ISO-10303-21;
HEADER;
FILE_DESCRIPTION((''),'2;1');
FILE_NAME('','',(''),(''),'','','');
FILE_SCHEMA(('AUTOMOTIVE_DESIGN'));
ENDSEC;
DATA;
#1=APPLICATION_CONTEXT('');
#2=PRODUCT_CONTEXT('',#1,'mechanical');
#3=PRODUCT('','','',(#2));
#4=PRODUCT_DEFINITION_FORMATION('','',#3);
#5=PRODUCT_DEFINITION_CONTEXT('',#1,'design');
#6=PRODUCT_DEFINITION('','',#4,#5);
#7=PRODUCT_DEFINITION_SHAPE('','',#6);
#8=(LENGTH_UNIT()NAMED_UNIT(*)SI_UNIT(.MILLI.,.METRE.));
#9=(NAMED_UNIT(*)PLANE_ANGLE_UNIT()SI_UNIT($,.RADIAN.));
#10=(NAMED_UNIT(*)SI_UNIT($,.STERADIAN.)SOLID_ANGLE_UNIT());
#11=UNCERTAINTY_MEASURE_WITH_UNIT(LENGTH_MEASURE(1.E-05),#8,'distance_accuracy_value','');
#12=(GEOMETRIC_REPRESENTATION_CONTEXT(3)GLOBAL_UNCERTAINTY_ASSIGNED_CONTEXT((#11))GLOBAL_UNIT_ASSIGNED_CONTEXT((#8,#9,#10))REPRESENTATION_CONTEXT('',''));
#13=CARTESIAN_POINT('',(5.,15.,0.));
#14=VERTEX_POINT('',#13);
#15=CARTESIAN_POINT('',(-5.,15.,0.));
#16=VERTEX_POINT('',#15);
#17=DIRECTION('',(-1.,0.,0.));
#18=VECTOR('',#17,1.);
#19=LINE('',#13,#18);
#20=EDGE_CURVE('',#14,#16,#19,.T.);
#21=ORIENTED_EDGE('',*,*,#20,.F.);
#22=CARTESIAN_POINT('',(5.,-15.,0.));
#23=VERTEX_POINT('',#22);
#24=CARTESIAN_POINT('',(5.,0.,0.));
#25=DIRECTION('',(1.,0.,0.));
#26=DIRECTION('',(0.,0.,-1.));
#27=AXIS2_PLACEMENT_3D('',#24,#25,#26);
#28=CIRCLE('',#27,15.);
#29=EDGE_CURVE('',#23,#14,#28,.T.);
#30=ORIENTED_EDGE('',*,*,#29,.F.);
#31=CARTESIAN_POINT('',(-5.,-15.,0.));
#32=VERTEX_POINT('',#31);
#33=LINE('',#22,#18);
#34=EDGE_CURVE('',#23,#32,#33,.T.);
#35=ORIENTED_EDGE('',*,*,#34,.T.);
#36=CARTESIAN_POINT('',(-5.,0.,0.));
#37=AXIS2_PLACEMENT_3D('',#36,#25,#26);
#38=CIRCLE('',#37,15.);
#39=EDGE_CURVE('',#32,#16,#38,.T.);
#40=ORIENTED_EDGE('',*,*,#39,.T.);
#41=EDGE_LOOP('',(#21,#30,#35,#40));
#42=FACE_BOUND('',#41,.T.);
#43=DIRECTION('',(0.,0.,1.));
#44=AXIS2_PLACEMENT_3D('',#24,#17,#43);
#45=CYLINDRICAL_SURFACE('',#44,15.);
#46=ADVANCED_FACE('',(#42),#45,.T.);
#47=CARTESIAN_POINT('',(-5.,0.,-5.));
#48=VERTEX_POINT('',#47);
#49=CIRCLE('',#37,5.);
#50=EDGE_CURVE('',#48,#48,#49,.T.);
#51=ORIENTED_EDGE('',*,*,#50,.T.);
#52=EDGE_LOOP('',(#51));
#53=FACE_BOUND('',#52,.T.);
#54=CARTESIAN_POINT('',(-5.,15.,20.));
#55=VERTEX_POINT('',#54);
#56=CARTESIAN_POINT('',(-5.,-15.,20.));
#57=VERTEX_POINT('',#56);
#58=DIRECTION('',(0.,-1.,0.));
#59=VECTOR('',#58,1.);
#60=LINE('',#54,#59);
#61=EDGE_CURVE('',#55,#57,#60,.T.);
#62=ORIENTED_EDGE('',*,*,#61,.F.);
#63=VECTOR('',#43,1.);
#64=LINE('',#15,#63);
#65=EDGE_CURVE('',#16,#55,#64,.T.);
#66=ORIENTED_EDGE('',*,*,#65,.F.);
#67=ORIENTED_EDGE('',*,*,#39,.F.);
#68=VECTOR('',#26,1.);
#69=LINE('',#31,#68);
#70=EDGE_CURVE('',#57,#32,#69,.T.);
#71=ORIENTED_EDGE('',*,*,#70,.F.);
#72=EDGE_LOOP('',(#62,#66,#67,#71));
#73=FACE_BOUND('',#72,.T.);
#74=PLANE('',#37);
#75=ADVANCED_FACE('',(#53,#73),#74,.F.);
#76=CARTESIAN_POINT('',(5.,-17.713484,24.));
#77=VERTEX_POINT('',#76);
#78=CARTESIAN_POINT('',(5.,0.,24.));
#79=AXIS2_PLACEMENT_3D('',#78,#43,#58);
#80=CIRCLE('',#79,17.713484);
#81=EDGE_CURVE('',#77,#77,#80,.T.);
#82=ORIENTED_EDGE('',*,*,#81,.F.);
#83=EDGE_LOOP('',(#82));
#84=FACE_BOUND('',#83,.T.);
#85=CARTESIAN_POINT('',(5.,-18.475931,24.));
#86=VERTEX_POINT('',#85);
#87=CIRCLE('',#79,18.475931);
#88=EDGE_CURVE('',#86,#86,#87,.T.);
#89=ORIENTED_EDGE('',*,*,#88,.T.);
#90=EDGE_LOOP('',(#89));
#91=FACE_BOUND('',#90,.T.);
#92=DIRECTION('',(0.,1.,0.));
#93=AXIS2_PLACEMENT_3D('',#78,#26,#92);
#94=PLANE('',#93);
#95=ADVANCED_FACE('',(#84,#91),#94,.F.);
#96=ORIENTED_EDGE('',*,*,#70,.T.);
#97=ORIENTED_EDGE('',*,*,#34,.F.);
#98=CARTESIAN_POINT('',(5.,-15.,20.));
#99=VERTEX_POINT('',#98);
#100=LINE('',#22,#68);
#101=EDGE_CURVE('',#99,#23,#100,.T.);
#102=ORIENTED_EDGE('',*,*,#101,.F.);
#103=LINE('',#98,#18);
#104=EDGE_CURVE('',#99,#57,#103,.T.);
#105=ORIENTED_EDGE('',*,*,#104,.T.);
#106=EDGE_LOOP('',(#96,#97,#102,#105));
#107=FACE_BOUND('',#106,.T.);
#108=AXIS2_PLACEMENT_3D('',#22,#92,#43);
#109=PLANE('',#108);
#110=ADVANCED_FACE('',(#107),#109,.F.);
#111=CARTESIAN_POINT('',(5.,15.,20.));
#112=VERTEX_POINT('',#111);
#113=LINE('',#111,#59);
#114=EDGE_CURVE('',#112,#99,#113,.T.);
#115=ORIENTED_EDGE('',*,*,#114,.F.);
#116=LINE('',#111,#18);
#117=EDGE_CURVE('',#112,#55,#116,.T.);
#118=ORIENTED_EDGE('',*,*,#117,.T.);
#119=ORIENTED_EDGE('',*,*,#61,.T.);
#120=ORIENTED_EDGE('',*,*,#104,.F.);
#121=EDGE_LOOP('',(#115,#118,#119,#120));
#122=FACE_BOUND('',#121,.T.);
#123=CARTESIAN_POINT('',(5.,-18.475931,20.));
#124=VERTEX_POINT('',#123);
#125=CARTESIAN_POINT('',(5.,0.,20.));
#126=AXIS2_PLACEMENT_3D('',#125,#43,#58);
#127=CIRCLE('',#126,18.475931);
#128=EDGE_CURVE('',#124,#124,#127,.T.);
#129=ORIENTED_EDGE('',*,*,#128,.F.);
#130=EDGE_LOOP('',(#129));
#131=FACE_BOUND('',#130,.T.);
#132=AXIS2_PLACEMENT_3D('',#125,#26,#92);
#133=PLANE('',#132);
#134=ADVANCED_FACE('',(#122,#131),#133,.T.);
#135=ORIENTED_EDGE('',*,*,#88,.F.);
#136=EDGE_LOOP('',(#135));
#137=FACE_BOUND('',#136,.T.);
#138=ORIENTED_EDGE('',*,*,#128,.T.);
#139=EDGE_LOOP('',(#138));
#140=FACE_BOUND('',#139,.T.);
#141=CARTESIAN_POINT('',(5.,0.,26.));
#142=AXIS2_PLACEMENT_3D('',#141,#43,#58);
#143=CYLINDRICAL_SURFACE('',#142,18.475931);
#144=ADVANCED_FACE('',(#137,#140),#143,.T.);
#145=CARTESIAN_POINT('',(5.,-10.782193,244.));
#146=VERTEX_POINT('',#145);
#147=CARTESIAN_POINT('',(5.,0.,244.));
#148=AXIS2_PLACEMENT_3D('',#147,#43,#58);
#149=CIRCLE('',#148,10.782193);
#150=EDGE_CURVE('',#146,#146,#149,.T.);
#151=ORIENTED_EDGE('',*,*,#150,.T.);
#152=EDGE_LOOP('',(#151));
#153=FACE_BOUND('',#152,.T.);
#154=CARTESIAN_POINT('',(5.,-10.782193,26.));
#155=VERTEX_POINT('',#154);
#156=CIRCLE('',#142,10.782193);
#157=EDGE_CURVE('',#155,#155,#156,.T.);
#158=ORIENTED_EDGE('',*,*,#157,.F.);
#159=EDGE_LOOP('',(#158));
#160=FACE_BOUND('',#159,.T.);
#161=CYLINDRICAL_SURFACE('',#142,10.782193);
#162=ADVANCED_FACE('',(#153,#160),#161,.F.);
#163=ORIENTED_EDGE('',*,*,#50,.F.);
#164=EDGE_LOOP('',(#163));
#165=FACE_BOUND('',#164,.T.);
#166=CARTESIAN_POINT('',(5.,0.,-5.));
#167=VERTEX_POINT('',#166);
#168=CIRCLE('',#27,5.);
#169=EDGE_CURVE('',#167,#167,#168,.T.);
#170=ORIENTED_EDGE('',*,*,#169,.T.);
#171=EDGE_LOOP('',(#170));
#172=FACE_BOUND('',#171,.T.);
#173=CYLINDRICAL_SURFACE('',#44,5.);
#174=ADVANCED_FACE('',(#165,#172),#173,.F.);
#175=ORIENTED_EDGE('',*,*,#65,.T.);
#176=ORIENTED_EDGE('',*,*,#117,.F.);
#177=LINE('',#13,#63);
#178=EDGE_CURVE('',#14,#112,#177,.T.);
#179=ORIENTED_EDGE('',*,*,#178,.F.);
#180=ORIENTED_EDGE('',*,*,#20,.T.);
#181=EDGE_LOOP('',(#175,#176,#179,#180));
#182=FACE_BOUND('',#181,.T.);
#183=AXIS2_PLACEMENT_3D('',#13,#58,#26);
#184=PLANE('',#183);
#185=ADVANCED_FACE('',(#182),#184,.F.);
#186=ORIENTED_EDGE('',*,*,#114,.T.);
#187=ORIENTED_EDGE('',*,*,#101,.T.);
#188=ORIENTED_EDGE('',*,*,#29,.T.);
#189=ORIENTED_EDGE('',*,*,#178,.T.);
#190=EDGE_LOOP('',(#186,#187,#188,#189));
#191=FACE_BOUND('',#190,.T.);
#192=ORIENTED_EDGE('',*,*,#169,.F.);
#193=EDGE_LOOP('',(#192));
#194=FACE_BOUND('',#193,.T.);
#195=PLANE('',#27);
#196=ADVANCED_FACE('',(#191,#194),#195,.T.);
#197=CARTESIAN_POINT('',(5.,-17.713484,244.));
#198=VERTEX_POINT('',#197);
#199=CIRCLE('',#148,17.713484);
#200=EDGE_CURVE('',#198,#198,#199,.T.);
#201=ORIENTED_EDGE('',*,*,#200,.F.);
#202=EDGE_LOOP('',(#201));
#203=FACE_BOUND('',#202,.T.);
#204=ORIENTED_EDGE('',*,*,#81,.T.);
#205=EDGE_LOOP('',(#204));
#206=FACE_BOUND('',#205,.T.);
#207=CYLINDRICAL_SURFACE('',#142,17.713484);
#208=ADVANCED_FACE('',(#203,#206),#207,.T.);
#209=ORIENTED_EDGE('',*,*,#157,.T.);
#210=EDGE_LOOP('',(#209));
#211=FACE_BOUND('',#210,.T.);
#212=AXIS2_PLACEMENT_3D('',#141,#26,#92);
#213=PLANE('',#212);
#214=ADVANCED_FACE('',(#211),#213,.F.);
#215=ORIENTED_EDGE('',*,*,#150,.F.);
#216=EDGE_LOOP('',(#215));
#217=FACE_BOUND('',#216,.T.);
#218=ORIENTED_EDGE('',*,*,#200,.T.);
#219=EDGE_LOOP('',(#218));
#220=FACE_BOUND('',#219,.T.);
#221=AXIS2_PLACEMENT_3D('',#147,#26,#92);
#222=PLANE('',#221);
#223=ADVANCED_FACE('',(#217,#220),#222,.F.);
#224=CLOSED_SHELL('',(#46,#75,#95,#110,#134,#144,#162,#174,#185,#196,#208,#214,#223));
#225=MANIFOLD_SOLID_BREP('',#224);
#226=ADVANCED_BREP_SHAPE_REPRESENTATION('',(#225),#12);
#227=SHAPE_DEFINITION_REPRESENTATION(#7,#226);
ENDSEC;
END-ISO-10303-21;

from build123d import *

# Parameters (mm, degrees)
SKETCH1_R           = 5
BOSS_EXTRUDE1_DEPTH = 5


with BuildPart() as part:
    # Sketch1 → Boss-Extrude1 (new body, symmetric)
    with BuildSketch(Plane(origin=(0, 0, 0), x_dir=(0, 0, -1), z_dir=(1, 0, 0))):
        with BuildLine():
            Line((0, 15), (-20, 15))
            Line((-20, 15), (-20, -15))
            Line((-20, -15), (0, -15))
            ThreePointArc((0, -15), (15, 0), (0, 15))
        make_face()
        Circle(SKETCH1_R, mode=Mode.SUBTRACT)
    extrude(amount=BOSS_EXTRUDE1_DEPTH, both=True)

    # Sketch3 → Revolve1 (revolve)
    with BuildSketch(Plane(origin=(5, 0, 0), x_dir=(0, 0, -1), z_dir=(1, 0, 0))):
        Polygon((-20, 1.817002653), (-20, 15), (-20, 15.485698602), (-20, 18.475930921), (-24, 18.475930921), (-24, 17.713484144), (-244, 17.713484144), (-244, 10.782192935), (-26, 10.782192935), (-26, 0), (-20, 0), align=None)
    revolve(axis=Axis((5, 0, 26), (0, 0, -1)))


solid = part.part
